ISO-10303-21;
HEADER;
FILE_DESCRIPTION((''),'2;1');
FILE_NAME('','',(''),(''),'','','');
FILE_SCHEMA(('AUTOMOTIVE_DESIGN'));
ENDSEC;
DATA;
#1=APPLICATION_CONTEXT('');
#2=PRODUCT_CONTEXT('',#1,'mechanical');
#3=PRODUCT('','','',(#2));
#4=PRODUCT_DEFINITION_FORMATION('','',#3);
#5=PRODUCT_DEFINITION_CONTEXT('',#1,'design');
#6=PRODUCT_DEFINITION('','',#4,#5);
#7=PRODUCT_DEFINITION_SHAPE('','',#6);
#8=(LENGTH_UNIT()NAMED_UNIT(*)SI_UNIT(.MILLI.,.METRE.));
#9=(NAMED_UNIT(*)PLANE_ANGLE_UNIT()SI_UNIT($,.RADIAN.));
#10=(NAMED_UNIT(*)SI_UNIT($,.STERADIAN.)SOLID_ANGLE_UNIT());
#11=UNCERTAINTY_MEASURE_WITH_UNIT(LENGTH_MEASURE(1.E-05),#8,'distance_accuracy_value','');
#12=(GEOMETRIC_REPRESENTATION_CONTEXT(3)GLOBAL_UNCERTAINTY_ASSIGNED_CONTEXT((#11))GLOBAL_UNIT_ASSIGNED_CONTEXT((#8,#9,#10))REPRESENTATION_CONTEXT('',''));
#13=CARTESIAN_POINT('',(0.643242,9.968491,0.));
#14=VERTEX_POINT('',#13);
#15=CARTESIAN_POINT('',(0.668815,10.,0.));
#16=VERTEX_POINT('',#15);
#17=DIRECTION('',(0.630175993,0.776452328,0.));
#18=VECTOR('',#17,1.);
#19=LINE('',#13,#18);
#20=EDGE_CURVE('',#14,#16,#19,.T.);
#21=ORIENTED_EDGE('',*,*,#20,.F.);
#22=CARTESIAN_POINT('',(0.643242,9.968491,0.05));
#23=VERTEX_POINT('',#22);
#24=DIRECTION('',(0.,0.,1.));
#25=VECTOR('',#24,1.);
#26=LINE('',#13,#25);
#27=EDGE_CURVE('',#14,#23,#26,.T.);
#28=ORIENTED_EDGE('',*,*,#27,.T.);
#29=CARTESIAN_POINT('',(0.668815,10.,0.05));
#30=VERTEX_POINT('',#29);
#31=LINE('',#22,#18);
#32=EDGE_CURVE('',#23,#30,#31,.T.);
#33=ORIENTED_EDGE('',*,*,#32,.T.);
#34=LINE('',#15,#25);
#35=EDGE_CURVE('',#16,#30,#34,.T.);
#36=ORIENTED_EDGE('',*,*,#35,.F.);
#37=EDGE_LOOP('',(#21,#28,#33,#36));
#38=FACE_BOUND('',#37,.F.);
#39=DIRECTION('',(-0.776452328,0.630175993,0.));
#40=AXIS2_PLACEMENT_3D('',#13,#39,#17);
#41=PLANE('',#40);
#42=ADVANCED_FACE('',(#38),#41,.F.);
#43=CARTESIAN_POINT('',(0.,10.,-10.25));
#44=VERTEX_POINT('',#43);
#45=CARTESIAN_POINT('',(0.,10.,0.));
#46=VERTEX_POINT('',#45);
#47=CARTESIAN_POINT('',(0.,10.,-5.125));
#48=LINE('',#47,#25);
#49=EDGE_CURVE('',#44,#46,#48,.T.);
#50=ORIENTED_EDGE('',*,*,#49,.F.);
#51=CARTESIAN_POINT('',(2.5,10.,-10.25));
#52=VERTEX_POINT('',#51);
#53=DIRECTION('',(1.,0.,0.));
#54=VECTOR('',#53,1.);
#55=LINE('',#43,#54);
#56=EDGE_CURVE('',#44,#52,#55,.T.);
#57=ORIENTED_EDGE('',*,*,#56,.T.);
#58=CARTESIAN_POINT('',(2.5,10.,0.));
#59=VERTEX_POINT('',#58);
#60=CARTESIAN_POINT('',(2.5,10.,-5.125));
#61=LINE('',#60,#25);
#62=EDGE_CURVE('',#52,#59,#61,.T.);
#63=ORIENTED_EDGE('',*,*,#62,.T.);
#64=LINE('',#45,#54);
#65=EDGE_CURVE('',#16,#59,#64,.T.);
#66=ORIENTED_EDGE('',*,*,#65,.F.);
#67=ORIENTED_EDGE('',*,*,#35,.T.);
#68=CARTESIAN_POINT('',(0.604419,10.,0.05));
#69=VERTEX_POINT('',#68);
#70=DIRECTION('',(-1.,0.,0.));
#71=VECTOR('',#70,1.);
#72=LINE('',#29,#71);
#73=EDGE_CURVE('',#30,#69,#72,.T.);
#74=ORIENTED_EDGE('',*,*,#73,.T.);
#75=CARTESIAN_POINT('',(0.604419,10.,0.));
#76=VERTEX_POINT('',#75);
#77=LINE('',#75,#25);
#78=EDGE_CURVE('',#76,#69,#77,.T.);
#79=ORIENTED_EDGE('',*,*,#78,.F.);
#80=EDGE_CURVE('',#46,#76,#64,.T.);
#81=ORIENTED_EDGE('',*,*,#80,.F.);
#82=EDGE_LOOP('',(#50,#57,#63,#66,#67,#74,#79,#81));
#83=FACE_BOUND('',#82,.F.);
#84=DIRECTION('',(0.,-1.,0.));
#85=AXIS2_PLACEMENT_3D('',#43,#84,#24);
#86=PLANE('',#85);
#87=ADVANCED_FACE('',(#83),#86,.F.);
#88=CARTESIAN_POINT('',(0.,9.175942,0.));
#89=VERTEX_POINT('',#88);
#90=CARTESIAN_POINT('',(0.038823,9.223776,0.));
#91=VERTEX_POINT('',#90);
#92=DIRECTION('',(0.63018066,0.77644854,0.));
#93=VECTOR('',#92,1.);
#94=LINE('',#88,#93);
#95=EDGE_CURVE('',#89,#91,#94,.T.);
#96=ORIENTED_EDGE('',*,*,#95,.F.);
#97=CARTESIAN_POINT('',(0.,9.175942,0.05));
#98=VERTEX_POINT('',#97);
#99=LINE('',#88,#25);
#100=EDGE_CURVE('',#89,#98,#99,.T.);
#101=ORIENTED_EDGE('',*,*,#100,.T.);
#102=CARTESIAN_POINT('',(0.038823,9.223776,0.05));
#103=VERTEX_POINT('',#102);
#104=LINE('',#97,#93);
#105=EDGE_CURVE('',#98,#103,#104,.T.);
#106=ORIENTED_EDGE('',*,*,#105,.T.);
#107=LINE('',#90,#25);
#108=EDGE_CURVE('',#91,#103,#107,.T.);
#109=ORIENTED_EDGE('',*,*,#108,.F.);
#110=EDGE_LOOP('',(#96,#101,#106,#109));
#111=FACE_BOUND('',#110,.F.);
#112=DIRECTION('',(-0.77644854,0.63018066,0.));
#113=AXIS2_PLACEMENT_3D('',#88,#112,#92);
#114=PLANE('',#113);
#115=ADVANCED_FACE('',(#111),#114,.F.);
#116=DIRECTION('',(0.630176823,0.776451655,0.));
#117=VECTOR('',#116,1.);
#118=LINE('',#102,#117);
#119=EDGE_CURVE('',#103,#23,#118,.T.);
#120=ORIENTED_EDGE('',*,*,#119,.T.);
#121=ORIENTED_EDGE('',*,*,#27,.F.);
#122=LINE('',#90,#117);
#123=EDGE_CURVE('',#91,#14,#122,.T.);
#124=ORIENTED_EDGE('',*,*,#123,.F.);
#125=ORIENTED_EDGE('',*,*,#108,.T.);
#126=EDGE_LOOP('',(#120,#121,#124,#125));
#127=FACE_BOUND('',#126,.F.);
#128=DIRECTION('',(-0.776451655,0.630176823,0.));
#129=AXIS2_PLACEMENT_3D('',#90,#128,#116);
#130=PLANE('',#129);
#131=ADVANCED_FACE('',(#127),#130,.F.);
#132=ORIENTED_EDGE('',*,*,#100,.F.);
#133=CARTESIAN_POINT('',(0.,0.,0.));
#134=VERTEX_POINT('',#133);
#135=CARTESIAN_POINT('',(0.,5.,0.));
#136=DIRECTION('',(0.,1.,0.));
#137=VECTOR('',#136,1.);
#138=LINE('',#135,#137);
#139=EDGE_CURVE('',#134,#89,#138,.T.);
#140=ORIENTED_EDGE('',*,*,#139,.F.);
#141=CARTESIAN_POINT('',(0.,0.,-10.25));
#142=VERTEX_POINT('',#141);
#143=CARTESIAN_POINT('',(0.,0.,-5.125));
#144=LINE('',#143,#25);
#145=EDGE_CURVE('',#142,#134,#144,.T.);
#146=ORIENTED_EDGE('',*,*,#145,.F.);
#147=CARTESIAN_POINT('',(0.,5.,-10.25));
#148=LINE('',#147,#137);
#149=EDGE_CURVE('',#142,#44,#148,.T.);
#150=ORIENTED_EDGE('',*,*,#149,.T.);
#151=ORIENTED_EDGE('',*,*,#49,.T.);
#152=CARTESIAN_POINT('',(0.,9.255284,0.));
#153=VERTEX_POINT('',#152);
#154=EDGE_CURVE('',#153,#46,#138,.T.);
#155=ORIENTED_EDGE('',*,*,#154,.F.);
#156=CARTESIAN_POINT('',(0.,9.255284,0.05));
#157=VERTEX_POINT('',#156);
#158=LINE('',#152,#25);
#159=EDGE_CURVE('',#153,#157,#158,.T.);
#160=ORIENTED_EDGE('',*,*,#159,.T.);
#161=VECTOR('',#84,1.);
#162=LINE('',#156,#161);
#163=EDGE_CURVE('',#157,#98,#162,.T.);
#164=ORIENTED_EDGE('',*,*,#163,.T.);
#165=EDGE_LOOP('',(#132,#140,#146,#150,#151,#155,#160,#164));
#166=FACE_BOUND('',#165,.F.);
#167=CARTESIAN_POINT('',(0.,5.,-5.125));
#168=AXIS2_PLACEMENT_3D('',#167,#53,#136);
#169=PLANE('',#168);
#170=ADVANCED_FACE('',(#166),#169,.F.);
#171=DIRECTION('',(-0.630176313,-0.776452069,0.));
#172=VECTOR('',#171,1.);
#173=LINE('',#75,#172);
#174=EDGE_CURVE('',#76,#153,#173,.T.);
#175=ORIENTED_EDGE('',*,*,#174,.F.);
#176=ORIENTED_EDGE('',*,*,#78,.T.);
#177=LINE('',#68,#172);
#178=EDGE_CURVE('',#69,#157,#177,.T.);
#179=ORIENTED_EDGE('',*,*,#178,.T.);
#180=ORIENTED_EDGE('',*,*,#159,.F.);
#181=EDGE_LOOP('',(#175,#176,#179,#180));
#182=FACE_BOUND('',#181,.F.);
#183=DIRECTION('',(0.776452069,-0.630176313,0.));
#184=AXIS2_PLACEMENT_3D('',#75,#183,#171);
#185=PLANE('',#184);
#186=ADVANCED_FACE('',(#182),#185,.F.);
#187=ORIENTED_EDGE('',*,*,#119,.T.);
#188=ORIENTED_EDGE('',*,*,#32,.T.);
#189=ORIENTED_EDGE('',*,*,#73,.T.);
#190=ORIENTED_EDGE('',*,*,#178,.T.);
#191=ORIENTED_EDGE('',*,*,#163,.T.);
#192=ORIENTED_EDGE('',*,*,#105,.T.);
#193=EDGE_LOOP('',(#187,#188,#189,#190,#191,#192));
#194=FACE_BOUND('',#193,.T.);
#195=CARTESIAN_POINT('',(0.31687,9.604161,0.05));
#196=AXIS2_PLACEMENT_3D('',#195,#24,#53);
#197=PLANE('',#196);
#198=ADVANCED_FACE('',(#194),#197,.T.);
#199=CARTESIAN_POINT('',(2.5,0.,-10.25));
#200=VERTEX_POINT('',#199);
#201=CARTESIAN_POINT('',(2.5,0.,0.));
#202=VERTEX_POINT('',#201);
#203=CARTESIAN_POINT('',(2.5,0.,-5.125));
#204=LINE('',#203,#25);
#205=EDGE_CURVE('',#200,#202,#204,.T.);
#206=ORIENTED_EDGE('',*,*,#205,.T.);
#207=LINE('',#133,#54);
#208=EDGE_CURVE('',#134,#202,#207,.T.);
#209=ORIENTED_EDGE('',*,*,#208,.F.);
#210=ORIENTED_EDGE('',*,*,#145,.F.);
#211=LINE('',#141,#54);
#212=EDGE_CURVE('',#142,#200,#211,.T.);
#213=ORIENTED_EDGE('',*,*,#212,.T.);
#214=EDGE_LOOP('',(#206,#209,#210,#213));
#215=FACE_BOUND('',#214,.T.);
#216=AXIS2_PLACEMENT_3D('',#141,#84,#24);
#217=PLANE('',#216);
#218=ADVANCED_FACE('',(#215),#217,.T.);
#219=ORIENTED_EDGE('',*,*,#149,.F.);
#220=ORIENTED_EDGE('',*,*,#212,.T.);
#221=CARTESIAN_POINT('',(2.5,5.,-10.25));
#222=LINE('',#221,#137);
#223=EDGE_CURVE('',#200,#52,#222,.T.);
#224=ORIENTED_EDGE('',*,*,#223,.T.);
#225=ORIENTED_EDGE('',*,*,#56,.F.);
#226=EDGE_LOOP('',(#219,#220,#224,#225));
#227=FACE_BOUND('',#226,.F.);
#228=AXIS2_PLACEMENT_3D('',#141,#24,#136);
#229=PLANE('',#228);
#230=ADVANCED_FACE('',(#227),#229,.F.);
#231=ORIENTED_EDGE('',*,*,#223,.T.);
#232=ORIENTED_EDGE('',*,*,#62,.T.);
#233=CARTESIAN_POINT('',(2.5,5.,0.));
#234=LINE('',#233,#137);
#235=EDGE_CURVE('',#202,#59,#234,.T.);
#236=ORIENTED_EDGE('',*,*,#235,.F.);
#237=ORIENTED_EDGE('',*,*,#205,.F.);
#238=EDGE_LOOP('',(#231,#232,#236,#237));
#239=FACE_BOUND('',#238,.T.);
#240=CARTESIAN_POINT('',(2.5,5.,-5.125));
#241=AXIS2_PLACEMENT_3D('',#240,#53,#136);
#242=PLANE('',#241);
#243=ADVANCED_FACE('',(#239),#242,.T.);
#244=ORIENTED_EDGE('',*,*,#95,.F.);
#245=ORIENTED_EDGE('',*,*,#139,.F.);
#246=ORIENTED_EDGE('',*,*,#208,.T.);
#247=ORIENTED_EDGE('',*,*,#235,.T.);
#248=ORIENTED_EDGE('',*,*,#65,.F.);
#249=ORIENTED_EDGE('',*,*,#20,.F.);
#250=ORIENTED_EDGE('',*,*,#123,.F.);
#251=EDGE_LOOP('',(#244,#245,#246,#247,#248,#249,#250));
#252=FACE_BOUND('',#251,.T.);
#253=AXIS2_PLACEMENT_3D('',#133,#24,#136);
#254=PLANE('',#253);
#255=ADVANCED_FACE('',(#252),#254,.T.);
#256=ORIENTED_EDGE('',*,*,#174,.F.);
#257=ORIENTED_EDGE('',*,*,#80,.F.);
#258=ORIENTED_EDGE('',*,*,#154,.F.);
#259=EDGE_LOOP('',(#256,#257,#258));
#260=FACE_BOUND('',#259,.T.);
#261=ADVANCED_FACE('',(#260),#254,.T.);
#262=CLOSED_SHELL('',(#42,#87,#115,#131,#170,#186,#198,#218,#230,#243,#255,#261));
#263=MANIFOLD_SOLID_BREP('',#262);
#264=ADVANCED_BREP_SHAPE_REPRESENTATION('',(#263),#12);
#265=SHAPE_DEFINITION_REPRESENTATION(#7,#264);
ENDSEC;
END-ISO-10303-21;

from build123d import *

# Parameters (mm, degrees)
F0_W     = 10
F0_H     = 10.25
F1_DEPTH = 2.5
F3_DEPTH = 0.05


with BuildPart() as f1:
    # F0 (on Right) → F1 (new body)
    with BuildSketch(Plane.YZ):
        with Locations((5, -5.125)):
            Rectangle(F0_W, F0_H)
    extrude(amount=F1_DEPTH)

    # F2 (on Top) → F3 (join)
    with BuildSketch(Plane.XY):
        Polygon((0.643242, 9.968491), (0.668815, 10), (0.604419, 10), (0, 9.255284), (0, 9.175942), (0.038823, 9.223776), align=None)
    extrude(amount=F3_DEPTH)


solid = f1.part
